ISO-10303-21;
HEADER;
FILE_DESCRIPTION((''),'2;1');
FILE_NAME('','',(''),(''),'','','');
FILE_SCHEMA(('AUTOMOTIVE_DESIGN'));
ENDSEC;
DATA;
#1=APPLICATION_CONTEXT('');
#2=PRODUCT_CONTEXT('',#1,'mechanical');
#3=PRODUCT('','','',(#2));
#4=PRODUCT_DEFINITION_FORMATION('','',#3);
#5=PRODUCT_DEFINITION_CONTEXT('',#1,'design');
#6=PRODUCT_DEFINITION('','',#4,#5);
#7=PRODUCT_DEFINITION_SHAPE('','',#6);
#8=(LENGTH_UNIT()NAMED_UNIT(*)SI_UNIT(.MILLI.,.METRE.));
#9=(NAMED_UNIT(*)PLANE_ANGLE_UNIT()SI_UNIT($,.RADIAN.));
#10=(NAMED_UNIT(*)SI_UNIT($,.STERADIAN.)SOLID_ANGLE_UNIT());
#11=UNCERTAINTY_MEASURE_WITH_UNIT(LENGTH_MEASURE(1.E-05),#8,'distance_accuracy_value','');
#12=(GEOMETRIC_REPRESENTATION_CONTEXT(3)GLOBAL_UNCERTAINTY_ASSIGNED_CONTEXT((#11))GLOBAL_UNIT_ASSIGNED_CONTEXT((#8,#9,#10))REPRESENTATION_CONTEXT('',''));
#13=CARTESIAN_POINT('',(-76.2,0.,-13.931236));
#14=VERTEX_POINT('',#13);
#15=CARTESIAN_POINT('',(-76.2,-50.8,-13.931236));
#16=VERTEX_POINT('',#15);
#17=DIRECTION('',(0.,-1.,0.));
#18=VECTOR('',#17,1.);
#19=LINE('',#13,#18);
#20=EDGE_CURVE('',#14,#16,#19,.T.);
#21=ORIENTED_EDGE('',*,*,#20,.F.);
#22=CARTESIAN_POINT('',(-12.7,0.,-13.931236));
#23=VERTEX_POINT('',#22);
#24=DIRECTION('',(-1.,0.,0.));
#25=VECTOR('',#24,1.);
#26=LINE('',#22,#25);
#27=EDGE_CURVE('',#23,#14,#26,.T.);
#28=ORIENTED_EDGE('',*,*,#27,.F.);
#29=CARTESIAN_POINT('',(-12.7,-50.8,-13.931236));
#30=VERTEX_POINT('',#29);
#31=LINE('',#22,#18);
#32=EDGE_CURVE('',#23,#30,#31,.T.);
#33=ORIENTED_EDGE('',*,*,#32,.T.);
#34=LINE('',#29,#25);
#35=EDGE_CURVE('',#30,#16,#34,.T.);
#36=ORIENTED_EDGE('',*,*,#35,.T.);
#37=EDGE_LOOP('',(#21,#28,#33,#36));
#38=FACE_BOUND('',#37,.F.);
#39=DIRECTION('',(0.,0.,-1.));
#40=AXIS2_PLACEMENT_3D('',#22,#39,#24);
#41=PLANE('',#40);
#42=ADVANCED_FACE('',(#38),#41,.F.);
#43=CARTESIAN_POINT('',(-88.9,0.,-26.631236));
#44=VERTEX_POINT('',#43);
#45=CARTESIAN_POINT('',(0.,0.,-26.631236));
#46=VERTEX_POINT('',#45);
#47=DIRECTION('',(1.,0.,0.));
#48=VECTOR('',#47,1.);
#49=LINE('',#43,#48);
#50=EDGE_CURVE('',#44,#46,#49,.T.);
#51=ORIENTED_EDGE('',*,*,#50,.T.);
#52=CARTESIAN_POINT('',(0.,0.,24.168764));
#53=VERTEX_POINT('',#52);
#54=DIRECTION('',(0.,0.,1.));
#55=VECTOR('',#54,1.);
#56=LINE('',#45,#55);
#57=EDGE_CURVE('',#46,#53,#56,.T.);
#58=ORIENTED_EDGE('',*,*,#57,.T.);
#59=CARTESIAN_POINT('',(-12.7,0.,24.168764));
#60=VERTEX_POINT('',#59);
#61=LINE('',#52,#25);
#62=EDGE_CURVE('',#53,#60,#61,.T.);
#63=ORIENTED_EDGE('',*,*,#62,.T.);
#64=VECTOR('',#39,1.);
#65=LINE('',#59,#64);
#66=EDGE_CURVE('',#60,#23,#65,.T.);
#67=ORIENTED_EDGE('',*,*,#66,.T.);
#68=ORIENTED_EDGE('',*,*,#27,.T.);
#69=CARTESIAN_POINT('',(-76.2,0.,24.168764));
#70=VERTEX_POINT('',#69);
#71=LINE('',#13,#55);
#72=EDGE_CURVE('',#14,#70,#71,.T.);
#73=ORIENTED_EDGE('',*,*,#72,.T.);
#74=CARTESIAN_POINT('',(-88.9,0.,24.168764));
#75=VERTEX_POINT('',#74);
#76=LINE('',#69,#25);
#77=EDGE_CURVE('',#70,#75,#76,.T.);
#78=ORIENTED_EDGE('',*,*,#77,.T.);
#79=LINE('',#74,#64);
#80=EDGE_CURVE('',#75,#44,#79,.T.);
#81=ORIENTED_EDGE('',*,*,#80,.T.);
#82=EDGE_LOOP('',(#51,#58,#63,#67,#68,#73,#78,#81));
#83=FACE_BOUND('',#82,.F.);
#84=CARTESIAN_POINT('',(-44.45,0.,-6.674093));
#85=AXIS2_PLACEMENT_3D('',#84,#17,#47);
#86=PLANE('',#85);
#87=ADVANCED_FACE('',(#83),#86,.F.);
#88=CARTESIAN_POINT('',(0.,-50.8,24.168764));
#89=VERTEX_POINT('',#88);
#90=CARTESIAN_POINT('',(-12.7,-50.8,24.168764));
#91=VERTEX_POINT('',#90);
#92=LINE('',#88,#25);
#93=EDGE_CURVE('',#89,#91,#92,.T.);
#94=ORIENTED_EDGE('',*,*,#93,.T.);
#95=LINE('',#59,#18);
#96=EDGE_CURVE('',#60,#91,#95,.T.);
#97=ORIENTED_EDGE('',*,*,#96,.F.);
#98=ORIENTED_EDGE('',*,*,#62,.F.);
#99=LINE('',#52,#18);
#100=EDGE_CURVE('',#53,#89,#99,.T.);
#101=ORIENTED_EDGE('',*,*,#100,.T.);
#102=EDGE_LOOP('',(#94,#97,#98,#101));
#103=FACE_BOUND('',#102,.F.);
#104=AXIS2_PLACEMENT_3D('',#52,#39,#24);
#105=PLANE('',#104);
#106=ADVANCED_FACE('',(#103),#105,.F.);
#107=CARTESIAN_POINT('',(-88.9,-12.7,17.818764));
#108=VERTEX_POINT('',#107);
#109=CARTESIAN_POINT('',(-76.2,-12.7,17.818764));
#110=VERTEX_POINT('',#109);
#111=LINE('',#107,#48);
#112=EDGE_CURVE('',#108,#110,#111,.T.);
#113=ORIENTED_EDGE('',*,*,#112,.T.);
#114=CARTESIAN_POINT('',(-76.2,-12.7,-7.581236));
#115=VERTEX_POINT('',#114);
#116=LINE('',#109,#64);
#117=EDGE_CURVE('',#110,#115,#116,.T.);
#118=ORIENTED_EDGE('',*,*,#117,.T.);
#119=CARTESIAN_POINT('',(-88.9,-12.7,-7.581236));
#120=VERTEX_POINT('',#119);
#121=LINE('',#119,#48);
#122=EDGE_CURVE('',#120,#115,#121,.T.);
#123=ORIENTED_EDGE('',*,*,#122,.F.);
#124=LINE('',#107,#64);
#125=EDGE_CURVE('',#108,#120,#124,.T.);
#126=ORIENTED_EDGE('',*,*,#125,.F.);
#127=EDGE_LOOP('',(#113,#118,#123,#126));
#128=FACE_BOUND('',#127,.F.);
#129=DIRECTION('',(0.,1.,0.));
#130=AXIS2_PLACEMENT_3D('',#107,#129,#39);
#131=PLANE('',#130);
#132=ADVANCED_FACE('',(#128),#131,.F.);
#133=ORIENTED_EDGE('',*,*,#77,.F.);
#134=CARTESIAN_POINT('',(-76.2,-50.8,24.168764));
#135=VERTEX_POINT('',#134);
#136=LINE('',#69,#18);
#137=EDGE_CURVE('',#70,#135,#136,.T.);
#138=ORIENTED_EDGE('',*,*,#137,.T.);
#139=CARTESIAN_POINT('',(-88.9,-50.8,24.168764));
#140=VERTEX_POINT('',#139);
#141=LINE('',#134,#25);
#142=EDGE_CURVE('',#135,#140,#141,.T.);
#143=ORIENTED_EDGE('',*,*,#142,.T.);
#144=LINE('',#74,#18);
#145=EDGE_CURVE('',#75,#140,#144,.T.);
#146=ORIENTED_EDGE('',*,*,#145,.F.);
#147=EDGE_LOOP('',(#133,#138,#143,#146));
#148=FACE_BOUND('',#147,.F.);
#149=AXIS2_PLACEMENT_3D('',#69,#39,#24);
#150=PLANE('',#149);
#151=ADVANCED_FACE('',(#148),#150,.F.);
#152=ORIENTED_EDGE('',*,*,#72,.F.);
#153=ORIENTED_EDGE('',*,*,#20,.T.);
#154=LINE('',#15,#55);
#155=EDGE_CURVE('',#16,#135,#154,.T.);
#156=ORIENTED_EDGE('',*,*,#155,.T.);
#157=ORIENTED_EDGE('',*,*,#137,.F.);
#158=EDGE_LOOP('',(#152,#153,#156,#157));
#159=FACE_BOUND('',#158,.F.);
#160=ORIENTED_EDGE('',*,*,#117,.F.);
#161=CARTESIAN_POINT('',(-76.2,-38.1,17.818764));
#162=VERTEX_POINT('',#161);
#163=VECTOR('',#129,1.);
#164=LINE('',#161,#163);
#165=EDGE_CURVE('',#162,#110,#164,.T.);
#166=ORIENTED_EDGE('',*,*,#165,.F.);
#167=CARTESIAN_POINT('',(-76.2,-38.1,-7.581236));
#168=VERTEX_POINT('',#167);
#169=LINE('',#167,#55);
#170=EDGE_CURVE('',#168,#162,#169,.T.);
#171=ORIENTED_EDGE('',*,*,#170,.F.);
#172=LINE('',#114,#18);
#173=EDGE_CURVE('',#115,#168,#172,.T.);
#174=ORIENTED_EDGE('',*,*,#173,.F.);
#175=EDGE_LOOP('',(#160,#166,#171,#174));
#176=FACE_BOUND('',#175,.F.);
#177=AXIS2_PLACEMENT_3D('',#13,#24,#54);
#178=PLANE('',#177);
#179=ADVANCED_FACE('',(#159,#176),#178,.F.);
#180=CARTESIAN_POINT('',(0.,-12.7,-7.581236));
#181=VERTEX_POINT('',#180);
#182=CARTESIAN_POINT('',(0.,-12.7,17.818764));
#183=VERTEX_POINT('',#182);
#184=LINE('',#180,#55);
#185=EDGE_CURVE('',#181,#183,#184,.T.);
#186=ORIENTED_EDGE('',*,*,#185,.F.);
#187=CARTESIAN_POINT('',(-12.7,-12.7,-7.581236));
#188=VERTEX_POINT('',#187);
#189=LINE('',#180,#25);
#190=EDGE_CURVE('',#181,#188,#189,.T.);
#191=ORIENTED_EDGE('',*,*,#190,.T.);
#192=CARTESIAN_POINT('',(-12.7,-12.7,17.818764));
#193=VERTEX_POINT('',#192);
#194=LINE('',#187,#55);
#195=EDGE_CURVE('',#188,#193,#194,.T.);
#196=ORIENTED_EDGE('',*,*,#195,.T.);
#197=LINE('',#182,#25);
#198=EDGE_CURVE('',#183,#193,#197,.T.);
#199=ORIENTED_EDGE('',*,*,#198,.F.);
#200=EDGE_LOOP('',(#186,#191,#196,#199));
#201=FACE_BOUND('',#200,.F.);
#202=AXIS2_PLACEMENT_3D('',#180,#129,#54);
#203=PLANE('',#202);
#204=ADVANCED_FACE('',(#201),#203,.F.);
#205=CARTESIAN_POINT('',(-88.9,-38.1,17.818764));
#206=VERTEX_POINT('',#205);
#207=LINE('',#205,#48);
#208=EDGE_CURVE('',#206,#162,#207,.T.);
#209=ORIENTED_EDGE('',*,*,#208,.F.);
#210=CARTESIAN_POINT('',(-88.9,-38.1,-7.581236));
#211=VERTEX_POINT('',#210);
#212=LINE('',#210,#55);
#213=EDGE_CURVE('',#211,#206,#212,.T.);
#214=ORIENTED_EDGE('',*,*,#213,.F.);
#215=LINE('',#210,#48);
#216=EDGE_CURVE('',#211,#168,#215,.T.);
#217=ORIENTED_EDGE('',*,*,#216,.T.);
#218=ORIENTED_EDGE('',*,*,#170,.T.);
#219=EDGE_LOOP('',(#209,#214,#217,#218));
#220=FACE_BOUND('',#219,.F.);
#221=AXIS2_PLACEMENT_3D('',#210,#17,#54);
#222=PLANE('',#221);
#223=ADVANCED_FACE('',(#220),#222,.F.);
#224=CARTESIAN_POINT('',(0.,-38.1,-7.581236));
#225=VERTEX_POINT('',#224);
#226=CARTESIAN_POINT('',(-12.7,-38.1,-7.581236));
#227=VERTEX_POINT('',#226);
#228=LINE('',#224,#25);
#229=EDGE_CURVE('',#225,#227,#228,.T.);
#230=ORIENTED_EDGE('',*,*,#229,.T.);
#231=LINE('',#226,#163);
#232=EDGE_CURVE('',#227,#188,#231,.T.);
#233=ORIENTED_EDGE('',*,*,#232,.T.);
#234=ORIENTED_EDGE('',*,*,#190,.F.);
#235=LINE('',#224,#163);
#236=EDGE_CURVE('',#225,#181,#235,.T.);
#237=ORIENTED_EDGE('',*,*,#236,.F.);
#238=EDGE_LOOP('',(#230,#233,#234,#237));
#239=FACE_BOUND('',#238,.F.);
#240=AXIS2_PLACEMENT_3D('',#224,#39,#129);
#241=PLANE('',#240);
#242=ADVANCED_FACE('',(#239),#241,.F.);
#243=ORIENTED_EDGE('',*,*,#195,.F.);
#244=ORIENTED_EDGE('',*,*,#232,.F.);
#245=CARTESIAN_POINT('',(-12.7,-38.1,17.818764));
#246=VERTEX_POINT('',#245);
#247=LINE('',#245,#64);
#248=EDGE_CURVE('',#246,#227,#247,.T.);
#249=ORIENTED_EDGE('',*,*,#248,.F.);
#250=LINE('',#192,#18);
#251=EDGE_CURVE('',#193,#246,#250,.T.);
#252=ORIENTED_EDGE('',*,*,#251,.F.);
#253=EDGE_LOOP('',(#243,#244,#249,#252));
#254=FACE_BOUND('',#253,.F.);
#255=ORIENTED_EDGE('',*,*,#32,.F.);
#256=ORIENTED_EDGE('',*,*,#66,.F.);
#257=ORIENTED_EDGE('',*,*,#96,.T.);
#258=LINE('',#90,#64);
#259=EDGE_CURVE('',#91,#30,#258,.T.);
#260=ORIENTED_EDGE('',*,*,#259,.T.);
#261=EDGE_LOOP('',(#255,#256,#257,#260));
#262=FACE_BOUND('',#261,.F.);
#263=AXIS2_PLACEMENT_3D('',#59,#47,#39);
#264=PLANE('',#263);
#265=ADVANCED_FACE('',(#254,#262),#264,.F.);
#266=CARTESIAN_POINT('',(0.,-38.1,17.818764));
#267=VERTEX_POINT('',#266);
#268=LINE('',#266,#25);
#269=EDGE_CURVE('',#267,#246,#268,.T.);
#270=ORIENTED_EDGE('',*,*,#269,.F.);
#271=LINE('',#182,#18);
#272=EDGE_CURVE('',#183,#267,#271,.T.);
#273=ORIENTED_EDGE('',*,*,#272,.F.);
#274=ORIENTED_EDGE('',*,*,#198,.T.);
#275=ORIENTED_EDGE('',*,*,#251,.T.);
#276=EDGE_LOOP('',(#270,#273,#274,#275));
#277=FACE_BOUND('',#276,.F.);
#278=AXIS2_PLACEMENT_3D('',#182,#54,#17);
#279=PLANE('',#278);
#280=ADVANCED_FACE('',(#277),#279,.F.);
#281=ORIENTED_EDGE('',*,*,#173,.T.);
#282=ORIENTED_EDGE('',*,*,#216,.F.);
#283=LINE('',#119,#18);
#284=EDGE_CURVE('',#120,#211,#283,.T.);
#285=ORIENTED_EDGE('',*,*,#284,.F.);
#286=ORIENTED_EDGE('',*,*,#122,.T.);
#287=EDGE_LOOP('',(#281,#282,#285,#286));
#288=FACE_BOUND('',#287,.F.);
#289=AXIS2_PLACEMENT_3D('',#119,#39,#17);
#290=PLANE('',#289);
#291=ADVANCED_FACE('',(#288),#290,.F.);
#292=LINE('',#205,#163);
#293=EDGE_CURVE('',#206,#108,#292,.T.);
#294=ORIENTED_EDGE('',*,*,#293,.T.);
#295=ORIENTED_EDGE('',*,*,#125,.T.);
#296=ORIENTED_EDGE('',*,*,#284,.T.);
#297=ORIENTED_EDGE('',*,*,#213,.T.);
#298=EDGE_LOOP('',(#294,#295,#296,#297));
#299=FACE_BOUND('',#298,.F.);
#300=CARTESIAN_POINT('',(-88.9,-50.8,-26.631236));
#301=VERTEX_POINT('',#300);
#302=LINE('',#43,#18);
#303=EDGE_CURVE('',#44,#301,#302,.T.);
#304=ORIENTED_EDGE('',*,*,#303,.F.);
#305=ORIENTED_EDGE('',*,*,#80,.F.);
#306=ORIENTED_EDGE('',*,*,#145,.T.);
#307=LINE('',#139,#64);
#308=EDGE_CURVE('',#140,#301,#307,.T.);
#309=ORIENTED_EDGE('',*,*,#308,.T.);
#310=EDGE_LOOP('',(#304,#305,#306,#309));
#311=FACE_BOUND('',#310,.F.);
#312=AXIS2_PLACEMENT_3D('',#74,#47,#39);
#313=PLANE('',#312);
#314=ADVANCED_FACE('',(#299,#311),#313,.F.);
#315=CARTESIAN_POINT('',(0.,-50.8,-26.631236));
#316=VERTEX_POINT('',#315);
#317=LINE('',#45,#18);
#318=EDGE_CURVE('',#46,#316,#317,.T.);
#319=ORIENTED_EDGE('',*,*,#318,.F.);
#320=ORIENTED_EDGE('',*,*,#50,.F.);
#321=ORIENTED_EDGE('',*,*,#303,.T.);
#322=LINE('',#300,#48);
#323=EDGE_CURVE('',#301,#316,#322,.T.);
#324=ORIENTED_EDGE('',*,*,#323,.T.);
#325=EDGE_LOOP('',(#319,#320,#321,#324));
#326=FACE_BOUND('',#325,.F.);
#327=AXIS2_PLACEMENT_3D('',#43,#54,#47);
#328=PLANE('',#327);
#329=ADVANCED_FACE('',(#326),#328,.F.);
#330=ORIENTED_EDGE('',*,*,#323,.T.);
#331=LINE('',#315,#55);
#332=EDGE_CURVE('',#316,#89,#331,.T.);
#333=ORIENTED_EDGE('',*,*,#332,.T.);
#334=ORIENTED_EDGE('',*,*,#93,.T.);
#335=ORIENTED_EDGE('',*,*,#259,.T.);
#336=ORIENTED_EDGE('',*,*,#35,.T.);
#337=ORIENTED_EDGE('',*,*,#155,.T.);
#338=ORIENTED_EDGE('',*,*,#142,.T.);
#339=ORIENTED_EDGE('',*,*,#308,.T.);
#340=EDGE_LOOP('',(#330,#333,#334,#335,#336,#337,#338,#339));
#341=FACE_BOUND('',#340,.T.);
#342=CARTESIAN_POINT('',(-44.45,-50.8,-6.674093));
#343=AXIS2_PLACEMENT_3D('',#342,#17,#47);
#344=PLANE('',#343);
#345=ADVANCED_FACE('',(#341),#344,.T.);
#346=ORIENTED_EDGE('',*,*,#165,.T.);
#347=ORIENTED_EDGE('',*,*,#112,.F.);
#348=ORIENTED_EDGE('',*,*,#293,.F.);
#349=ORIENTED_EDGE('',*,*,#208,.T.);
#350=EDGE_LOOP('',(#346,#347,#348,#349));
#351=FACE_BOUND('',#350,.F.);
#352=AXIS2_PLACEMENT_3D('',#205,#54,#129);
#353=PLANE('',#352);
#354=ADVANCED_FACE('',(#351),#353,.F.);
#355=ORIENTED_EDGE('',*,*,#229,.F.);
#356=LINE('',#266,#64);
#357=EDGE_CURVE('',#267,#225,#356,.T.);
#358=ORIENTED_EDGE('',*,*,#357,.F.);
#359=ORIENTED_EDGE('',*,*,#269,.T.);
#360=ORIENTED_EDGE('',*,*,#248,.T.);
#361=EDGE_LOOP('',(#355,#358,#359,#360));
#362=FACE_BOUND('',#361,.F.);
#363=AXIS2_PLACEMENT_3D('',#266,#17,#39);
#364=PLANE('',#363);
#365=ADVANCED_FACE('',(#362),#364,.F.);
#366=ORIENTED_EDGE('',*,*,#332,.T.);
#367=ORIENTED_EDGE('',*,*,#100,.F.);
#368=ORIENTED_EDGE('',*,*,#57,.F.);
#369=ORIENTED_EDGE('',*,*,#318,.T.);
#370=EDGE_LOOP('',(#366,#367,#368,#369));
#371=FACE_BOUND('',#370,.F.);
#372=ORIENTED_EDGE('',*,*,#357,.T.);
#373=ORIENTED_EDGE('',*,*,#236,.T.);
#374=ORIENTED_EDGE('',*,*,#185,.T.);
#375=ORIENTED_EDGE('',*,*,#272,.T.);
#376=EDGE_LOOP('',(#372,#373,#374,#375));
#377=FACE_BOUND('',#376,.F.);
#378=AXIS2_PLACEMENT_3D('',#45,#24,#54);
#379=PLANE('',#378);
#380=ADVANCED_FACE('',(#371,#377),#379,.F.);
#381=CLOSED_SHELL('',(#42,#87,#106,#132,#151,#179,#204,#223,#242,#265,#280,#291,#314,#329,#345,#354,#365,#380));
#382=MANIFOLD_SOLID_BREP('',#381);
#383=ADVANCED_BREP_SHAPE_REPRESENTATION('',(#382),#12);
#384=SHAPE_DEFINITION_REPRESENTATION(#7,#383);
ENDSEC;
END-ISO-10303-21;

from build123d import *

# Parameters (mm, degrees)
F1_DEPTH = 50.8
F3_DEPTH = 12.7
F5_DEPTH = 12.7


with BuildPart() as f1:
    # F0 (on Front) → F1 (new body)
    with BuildSketch(Plane.XZ):
        Polygon((0, 24.168764), (-12.7, 24.168764), (-12.7, -13.931236), (-76.2, -13.931236), (-76.2, 24.168764), (-88.9, 24.168764), (-88.9, -26.631236), (0, -26.631236), align=None)
    extrude(amount=F1_DEPTH)

    # F2 (on face) → F3 (cut)
    with BuildSketch(Plane.YZ):
        Polygon((-12.7, 17.818764), (-38.1, 17.818764), (-38.1, -7.581236), (-27.879171, -7.581236), (-12.7, -7.581236), (-12.7, 5.118764), align=None)
    extrude(amount=-F3_DEPTH, mode=Mode.SUBTRACT)

    # F4 (on face) → F5 (cut)
    with BuildSketch(Plane(origin=(-88.9, 0, 0), x_dir=(0, -1, 0), z_dir=(-1, 0, 0))):
        Polygon((38.1, 17.818764), (12.7, 17.818764), (12.7, -7.581236), (25.4, -7.581236), (38.1, -7.581236), (38.1, 5.118764), align=None)
    extrude(amount=-F5_DEPTH, mode=Mode.SUBTRACT)


solid = f1.part
